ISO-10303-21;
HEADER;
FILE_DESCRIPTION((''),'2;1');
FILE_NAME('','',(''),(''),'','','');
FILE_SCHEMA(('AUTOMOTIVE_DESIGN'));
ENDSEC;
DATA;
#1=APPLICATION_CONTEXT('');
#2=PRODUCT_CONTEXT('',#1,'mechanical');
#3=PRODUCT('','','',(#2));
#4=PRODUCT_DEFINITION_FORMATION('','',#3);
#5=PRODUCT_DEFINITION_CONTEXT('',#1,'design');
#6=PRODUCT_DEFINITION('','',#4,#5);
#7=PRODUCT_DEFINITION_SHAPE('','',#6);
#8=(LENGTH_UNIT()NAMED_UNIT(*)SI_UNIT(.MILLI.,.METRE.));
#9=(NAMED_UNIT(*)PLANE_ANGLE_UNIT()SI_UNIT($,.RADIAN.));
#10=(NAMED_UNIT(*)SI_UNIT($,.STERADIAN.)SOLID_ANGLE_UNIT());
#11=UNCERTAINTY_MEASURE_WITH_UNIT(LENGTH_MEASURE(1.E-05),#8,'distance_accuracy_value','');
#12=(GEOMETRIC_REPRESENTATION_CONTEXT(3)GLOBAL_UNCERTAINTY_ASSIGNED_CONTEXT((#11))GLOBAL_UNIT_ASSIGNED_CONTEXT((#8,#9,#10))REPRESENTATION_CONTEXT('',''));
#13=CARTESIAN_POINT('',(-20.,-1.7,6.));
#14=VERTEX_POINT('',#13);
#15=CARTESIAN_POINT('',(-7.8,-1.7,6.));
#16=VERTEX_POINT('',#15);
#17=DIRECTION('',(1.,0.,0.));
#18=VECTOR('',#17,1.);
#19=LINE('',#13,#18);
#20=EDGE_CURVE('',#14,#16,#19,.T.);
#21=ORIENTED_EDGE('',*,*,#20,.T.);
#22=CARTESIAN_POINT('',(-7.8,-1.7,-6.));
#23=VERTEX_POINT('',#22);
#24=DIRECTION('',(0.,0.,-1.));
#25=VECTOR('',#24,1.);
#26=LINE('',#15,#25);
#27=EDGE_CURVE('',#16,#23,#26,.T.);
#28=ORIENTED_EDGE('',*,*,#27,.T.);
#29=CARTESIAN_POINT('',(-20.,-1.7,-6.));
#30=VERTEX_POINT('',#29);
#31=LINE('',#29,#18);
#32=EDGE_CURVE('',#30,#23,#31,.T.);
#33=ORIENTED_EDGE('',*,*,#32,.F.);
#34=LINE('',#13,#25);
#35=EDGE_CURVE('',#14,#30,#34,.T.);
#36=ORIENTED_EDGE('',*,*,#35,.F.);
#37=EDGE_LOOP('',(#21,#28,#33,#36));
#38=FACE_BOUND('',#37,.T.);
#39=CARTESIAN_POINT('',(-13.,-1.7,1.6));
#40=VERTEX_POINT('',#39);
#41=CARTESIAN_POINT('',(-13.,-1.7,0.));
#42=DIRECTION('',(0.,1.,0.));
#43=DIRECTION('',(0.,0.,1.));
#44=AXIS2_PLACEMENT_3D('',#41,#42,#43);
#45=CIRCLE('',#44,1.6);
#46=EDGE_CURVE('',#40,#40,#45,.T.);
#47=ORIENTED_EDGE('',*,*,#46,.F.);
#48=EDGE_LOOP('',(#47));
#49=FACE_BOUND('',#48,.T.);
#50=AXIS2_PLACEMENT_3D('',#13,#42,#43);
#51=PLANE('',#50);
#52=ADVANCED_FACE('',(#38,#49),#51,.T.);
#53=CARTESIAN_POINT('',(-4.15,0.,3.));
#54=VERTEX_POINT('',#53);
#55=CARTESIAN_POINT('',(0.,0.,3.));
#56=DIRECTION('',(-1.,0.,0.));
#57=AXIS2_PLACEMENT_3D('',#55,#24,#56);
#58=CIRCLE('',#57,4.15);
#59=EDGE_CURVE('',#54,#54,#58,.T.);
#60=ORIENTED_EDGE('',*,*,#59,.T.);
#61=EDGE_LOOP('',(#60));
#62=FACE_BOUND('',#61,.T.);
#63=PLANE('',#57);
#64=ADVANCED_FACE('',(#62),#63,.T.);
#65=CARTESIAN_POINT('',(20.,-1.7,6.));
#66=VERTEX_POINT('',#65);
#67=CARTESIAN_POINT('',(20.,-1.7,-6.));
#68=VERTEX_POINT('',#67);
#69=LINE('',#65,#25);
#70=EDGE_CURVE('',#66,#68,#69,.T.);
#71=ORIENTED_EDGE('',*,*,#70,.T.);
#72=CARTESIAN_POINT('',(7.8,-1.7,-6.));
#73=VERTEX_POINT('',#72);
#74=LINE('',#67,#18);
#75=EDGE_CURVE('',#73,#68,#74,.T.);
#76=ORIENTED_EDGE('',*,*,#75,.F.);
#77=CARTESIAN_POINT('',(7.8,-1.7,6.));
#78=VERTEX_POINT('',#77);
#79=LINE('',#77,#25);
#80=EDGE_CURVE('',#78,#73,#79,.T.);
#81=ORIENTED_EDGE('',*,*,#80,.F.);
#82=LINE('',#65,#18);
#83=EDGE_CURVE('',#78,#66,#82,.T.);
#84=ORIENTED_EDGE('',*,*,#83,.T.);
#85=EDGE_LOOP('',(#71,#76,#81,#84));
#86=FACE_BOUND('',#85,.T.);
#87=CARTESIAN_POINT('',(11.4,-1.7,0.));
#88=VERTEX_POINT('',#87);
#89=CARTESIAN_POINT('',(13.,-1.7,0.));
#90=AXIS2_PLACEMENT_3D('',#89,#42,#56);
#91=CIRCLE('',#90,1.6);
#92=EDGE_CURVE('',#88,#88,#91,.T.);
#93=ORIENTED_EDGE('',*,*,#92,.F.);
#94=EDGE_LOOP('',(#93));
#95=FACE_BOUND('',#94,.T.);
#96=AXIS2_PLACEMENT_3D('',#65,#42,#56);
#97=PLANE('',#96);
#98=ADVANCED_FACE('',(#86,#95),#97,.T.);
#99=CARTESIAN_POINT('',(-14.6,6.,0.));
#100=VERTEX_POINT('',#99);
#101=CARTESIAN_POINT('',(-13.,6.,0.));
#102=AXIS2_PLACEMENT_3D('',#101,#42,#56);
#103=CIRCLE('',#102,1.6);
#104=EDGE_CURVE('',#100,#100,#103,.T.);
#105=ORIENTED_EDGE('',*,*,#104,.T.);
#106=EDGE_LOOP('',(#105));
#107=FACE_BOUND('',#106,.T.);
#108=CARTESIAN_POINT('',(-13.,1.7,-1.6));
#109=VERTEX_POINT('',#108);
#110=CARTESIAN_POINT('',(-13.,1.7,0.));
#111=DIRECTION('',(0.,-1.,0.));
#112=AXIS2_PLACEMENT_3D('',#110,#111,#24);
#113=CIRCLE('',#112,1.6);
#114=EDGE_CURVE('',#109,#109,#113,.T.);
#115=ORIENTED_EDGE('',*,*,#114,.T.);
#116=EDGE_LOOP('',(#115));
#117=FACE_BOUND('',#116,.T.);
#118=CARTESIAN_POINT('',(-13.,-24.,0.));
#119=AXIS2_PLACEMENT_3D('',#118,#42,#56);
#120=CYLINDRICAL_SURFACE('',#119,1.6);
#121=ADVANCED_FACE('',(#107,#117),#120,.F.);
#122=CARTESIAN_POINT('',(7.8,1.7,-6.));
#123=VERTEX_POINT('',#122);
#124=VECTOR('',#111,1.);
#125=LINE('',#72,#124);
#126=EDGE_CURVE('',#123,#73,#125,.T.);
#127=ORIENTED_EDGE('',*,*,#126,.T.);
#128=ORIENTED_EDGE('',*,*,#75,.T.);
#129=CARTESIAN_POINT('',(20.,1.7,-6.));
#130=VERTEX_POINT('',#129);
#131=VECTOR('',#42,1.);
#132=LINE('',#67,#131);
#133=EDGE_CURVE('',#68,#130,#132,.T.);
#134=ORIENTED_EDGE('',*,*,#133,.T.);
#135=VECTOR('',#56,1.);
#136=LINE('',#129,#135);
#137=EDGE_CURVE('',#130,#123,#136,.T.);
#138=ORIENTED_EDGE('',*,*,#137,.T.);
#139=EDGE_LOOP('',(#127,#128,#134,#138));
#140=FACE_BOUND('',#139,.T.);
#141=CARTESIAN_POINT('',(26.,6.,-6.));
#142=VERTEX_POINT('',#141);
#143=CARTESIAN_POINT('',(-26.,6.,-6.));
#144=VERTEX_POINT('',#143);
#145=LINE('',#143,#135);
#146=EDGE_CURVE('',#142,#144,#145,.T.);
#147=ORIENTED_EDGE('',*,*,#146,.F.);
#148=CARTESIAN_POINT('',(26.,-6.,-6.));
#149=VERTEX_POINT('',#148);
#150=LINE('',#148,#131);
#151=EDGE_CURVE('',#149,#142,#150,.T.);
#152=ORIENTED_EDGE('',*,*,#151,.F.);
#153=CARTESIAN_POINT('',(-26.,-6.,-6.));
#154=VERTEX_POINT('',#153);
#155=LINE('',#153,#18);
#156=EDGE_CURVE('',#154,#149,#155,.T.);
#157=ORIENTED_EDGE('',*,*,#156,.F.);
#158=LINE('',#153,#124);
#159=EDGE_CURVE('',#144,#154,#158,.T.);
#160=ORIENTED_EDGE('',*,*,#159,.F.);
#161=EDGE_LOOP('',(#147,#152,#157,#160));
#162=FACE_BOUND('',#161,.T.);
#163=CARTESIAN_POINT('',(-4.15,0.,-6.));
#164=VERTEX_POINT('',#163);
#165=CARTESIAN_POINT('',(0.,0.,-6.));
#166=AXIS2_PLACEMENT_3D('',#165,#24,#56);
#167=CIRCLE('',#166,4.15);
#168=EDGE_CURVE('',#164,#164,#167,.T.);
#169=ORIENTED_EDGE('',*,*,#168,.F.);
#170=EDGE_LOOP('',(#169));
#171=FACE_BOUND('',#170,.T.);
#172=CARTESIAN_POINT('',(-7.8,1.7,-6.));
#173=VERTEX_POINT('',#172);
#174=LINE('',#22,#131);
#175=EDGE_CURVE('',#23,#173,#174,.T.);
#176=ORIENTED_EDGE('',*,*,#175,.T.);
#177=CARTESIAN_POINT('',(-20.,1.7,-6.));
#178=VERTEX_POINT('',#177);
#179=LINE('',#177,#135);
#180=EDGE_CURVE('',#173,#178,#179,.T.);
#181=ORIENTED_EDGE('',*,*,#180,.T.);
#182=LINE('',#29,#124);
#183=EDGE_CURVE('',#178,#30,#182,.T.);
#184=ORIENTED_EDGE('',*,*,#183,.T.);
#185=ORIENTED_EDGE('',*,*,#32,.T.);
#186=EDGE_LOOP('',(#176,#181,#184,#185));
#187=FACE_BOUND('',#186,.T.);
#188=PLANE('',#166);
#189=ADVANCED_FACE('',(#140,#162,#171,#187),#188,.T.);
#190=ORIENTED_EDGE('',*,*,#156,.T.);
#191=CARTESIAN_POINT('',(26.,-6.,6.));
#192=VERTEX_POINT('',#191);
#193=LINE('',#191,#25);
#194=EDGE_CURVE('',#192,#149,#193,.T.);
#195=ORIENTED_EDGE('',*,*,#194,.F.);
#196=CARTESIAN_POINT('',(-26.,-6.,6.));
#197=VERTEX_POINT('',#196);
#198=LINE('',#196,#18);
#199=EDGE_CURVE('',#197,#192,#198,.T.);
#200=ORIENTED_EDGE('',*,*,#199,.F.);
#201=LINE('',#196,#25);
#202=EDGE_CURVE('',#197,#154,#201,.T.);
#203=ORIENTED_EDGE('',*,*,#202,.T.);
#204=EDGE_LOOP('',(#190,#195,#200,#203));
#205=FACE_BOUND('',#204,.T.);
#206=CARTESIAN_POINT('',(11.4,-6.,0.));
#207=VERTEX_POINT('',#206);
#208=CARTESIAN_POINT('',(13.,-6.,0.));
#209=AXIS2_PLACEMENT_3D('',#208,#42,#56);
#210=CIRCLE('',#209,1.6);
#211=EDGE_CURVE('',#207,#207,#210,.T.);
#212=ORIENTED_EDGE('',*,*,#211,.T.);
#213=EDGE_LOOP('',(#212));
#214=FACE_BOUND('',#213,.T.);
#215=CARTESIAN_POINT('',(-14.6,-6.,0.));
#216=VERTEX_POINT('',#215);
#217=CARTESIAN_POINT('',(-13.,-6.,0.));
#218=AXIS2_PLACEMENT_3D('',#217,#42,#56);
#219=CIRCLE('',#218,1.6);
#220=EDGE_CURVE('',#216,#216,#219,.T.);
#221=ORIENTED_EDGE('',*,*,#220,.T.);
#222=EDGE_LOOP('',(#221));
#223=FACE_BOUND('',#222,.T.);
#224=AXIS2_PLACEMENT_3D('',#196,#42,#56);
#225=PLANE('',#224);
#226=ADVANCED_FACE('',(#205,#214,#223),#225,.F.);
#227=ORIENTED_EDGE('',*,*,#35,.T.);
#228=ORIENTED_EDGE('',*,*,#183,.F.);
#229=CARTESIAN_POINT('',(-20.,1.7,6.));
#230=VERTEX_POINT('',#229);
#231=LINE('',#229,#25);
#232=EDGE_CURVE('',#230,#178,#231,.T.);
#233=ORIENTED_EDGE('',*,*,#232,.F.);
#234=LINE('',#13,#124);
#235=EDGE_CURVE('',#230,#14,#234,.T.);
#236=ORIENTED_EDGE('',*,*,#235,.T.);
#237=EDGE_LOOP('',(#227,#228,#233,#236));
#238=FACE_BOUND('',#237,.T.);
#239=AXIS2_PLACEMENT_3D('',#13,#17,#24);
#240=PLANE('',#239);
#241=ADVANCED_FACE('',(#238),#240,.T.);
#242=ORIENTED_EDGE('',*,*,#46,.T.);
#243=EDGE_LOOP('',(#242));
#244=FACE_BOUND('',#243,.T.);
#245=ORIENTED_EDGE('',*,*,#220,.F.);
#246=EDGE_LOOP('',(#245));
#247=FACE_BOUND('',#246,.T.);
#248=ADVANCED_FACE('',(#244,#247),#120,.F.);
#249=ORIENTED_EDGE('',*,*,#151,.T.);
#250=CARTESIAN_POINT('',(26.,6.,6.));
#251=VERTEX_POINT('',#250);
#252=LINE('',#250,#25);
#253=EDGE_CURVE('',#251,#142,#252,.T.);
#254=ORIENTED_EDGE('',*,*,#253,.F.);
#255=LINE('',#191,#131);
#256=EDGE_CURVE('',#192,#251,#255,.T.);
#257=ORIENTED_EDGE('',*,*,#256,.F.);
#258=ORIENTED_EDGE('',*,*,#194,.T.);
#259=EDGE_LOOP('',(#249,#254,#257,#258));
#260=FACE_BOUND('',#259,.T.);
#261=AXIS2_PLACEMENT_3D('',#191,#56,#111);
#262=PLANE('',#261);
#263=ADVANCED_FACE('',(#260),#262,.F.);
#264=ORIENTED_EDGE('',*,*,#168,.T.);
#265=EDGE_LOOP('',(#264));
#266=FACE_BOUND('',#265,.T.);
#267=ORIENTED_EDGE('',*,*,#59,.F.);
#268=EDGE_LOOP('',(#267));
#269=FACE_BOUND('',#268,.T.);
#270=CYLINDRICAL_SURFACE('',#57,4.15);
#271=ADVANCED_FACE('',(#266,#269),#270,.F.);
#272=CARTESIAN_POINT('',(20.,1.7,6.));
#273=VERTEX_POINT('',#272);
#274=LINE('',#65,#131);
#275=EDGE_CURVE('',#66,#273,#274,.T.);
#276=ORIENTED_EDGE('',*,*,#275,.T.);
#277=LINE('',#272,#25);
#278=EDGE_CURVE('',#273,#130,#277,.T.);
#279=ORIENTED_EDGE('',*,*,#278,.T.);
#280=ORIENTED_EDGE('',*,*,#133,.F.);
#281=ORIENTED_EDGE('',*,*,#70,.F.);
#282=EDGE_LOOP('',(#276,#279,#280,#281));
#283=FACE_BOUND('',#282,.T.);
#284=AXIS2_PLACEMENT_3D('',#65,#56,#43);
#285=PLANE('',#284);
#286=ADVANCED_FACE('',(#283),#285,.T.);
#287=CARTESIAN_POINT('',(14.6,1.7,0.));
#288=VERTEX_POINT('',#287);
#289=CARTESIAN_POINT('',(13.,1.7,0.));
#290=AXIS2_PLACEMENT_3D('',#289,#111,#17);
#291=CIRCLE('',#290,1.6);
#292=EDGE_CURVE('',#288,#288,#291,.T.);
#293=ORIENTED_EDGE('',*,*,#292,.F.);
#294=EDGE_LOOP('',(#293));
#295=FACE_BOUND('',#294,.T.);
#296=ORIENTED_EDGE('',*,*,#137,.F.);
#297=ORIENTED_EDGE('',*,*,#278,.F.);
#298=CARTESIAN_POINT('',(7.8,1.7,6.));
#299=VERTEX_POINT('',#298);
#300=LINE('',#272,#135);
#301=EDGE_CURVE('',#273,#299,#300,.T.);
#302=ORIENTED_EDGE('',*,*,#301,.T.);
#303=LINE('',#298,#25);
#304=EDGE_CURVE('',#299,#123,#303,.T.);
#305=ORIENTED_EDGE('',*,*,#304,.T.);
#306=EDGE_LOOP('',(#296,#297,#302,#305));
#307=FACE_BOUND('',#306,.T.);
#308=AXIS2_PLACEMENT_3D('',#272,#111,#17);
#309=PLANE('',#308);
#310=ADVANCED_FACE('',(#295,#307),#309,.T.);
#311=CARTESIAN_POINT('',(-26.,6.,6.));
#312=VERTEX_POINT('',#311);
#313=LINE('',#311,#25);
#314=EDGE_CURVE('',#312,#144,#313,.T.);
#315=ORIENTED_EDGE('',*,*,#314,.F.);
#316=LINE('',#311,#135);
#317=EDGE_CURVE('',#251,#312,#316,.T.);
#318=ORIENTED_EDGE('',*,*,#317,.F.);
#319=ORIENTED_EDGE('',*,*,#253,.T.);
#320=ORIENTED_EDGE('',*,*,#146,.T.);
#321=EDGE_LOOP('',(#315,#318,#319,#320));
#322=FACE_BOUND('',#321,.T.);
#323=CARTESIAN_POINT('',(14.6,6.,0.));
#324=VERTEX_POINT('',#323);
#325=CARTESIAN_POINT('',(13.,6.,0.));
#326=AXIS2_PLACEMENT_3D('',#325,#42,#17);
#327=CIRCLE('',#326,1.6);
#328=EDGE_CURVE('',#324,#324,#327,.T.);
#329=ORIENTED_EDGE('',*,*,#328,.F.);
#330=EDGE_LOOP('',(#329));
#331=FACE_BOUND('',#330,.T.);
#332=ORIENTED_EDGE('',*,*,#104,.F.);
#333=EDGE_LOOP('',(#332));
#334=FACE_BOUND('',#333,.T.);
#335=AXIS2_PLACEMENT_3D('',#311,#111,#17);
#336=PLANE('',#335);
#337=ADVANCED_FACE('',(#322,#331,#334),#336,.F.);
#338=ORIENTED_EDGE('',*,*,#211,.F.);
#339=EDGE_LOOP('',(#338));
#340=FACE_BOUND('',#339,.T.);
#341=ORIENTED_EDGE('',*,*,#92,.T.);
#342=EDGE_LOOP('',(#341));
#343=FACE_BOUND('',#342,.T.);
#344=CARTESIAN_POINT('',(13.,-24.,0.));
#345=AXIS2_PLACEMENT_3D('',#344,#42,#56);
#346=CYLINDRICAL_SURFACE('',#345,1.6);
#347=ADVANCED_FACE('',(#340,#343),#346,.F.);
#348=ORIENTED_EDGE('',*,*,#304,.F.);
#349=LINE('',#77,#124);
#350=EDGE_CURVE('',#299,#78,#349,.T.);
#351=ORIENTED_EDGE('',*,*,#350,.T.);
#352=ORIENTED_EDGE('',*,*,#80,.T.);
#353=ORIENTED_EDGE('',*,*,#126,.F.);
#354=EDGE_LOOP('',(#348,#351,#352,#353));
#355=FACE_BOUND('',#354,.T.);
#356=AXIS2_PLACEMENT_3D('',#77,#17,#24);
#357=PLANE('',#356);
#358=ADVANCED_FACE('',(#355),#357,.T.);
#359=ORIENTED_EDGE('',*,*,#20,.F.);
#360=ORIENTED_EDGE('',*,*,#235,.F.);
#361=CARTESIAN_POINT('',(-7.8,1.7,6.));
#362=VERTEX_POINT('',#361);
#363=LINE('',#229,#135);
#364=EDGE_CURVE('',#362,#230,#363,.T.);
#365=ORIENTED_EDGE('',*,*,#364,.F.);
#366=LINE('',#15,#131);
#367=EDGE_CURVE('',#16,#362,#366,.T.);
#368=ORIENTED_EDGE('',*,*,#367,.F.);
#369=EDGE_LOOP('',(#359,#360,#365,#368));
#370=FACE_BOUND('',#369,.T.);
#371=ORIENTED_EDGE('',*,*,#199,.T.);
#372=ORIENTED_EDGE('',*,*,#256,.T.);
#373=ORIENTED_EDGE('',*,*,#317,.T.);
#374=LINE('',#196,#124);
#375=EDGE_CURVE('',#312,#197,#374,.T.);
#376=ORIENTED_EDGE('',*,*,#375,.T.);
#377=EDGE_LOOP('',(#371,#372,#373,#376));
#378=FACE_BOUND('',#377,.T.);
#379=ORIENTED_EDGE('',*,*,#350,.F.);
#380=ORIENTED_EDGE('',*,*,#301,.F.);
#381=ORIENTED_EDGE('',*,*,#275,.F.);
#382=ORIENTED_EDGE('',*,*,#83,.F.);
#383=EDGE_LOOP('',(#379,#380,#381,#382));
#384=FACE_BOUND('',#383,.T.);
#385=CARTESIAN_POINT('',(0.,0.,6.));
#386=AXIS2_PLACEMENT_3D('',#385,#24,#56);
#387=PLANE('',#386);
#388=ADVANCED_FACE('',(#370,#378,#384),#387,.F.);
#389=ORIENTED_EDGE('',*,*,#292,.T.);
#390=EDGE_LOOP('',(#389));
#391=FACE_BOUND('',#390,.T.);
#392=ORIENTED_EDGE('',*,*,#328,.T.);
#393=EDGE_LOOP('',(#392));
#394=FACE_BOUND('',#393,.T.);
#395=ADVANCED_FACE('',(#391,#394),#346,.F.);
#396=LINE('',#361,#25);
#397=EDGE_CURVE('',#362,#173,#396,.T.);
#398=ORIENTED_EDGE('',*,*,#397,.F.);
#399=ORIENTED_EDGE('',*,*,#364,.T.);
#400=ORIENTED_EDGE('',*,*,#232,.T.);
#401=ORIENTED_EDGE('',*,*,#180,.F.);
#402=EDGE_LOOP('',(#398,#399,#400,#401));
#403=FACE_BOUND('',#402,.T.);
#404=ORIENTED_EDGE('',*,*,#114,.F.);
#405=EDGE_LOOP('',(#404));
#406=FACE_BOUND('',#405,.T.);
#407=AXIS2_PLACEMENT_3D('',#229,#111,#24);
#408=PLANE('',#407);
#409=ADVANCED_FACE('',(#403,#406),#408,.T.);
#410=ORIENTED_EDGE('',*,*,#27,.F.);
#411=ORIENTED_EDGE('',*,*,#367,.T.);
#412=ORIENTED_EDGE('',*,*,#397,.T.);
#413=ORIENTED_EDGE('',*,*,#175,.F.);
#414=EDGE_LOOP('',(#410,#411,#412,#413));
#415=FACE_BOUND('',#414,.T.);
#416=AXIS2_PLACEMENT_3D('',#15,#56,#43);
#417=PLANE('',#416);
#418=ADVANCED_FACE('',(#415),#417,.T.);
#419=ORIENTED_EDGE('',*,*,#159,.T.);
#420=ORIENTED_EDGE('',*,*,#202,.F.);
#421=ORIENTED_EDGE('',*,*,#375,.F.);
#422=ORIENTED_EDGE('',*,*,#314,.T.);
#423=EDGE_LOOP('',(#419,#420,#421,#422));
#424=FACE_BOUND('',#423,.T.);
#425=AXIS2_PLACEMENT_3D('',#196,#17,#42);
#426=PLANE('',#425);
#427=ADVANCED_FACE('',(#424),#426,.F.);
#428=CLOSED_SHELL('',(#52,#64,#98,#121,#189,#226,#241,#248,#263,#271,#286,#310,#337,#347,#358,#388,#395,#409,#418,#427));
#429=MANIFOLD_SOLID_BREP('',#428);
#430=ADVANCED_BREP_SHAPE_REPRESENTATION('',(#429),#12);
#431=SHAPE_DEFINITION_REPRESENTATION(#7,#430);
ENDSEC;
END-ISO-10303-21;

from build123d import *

# Parameters (mm, degrees)
CROQUIS1_W              = 52
CROQUIS1_H              = 12
CROQUIS1_W_2            = 12.2
CROQUIS1_H_2            = 3.4
SALIENTE_EXTRUIR1_DEPTH = 6
CROQUIS2_R              = 4.15
CORTAR_EXTRUIR1_DEPTH   = 9
CROQUIS3_R              = 1.6
CORTAR_EXTRUIR2_DEPTH   = 30


with BuildPart() as part:
    # Croquis1 → Saliente-Extruir1 (new, symmetric)
    with BuildSketch(Plane.XY):
        Rectangle(CROQUIS1_W, CROQUIS1_H)
        with Locations((13.9, 0)):
            Rectangle(CROQUIS1_W_2, CROQUIS1_H_2, mode=Mode.SUBTRACT)
        with Locations((-13.9, 0)):
            Rectangle(CROQUIS1_W_2, CROQUIS1_H_2, mode=Mode.SUBTRACT)
    extrude(amount=SALIENTE_EXTRUIR1_DEPTH, both=True)

    # Croquis2 → Cortar-Extruir1 (cut)
    with BuildSketch(Plane(origin=(0, 0, -6), x_dir=(-1, 0, 0), z_dir=(0, 0, -1))):
        Circle(CROQUIS2_R)
    extrude(amount=-CORTAR_EXTRUIR1_DEPTH, mode=Mode.SUBTRACT)

    # Croquis3 → Cortar-Extruir2 (cut)
    with BuildSketch(Plane(origin=(0, 6, 0), x_dir=(1, 0, 0), z_dir=(0, 1, 0))):
        with Locations(Location((-13, 0, 0), (0, 0, 180))):
            Circle(CROQUIS3_R)
        with Locations(Location((13, 0, 0), (0, 0, 180))):
            Circle(CROQUIS3_R)
    extrude(amount=-CORTAR_EXTRUIR2_DEPTH, mode=Mode.SUBTRACT)


solid = part.part
